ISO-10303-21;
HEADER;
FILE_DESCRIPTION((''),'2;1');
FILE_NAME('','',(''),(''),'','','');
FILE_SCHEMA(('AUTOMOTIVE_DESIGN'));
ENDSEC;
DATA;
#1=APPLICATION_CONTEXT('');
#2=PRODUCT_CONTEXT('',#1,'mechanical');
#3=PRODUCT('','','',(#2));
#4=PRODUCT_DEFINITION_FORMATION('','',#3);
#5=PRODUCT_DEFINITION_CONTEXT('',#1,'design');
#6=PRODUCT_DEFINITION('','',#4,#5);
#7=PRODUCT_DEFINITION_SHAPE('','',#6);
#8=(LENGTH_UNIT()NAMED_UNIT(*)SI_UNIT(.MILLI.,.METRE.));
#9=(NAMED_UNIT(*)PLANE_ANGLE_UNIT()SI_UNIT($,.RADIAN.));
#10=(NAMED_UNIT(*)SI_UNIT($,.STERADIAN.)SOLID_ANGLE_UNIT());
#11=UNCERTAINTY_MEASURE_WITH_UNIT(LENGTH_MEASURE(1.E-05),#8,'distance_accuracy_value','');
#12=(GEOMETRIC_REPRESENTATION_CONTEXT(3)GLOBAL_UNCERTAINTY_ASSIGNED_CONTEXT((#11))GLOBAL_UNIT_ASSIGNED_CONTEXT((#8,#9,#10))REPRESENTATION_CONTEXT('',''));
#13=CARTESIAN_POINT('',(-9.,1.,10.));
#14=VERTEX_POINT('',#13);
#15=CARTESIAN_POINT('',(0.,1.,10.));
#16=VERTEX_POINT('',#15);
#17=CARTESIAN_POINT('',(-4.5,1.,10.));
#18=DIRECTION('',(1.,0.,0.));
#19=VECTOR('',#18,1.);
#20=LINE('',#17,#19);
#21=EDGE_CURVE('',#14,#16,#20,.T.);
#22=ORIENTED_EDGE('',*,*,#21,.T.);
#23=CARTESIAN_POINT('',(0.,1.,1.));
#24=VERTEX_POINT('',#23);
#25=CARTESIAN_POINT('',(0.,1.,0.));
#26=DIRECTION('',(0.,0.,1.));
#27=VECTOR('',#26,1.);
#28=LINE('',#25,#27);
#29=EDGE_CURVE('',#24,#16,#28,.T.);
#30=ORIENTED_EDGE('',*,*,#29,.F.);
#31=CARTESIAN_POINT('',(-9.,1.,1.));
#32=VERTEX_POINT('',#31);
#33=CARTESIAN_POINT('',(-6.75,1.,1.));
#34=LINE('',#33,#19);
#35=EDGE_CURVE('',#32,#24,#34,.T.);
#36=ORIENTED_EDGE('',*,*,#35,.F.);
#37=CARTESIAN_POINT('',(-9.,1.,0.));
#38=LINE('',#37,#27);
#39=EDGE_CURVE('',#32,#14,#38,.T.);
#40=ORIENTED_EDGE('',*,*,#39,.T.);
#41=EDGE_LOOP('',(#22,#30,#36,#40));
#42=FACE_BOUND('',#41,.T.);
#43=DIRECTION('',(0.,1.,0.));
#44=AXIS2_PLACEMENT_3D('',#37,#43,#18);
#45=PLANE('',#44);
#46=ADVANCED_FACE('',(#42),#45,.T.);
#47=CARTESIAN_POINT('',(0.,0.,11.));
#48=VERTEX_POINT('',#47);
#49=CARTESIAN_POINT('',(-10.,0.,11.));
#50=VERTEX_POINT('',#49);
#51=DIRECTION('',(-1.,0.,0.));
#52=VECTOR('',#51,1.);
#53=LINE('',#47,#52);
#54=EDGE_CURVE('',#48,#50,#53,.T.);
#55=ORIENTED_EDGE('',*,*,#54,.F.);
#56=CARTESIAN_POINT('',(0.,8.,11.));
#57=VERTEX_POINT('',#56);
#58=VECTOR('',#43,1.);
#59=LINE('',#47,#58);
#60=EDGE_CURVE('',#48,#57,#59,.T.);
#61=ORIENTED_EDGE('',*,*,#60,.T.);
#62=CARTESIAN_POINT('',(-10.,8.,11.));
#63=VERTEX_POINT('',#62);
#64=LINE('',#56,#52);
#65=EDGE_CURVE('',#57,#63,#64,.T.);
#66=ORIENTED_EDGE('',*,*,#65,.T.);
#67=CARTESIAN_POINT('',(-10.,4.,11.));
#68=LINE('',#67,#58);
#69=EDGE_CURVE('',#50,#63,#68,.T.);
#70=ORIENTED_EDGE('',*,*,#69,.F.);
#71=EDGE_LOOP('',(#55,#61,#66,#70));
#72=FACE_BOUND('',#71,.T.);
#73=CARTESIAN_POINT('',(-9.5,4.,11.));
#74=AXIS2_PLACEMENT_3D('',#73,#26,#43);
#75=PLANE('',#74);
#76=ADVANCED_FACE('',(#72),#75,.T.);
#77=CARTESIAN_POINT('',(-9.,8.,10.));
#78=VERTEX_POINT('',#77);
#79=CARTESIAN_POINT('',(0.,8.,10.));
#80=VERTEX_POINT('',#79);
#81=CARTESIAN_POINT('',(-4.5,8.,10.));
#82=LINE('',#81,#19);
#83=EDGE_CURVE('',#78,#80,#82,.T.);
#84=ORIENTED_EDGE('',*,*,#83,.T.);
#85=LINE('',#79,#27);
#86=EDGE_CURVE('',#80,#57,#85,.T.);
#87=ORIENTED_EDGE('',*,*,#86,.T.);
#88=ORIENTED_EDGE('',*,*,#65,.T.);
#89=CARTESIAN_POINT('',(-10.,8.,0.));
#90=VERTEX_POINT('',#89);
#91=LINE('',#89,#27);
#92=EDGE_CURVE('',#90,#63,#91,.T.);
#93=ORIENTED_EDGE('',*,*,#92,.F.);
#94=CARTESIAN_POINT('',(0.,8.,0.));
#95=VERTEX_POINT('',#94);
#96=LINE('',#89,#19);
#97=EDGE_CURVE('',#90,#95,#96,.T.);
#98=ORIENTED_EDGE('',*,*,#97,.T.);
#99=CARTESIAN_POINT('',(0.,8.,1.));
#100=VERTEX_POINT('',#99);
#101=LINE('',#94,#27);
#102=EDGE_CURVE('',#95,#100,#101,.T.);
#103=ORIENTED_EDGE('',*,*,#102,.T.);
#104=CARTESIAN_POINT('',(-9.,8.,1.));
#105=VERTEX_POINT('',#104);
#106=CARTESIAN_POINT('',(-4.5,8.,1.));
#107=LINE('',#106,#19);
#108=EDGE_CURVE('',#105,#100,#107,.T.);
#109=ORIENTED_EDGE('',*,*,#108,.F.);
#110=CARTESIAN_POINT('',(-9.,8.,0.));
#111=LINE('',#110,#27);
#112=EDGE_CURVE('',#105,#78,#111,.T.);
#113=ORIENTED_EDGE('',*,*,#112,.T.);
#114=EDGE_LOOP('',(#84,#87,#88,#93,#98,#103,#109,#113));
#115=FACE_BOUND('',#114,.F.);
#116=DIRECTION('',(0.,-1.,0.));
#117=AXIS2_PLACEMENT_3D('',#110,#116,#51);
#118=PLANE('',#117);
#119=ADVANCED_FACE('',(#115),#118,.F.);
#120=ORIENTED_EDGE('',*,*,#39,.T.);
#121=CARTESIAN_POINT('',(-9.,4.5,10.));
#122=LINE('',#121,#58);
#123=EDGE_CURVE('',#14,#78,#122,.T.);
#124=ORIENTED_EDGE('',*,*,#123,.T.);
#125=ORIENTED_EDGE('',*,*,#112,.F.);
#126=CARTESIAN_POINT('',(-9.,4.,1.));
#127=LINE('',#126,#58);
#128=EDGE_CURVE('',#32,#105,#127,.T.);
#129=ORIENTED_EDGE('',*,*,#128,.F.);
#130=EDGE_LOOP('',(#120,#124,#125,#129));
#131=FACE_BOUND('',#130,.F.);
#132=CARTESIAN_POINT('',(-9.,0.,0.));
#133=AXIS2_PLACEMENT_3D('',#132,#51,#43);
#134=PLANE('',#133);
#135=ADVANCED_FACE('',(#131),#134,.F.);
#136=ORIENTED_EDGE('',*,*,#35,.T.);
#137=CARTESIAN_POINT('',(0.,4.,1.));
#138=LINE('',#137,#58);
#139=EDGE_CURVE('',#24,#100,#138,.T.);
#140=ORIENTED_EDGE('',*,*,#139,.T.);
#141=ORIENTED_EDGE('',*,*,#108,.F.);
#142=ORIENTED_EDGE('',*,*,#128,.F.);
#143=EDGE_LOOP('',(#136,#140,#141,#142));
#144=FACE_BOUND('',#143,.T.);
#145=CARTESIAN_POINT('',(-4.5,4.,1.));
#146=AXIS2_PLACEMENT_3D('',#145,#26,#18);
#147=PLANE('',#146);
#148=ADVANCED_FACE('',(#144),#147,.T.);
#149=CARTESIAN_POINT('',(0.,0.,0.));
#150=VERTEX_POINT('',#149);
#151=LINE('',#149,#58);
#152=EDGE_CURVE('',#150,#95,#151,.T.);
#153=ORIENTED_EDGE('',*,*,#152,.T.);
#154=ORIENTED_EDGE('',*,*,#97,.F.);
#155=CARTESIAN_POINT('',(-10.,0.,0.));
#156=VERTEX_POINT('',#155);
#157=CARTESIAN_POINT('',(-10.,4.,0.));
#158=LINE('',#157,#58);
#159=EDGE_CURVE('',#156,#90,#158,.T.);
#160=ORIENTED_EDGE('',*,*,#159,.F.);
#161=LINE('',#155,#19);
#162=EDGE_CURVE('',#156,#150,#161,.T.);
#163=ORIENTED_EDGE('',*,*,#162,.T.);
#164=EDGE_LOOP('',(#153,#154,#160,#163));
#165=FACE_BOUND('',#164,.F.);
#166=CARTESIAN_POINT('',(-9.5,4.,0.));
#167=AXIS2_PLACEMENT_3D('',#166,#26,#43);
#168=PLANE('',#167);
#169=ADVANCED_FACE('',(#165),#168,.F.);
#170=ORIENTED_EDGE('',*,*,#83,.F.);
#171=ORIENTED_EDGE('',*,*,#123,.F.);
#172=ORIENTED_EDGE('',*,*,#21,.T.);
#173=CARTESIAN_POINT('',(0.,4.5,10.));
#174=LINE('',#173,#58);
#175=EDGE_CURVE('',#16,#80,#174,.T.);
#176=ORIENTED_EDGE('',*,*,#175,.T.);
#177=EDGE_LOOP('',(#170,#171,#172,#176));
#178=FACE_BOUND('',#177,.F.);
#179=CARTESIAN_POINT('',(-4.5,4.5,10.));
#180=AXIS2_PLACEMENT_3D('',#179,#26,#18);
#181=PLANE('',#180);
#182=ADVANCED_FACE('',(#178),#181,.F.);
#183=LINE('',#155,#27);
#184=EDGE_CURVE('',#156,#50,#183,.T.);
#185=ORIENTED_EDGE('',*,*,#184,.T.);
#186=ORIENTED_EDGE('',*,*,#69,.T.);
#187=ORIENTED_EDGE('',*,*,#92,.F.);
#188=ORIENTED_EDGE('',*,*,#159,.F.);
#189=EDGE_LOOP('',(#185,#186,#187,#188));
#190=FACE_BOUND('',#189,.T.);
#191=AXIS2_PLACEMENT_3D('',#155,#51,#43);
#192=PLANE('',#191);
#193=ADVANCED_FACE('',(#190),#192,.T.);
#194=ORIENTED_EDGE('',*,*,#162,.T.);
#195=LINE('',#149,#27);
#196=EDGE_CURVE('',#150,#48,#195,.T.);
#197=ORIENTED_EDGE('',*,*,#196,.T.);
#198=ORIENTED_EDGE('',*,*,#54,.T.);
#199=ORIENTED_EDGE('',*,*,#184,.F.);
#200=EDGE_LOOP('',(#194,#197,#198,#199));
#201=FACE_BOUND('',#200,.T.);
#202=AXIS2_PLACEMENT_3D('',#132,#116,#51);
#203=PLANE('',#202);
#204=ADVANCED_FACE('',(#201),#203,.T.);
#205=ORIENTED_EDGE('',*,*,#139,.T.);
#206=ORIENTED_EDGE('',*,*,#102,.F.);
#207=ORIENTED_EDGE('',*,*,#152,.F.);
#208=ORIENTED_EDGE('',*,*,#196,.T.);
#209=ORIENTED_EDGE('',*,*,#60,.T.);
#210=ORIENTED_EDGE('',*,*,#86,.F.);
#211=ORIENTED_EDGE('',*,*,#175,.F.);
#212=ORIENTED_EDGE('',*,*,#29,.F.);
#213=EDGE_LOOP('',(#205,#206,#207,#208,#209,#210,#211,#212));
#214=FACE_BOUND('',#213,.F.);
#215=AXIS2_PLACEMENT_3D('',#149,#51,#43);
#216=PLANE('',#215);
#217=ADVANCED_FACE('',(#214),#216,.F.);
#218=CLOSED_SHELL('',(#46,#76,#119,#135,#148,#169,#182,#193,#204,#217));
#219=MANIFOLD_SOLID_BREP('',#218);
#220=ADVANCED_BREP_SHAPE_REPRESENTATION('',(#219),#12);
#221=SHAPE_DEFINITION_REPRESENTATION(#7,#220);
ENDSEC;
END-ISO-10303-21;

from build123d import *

# Parameters (mm, degrees)
BOX102_W     = 9
BOX102_H     = 8
BOX102_DEPTH = 1
BOX005_W     = 8
BOX005_H     = 1
BOX005_DEPTH = 11
BOX006_W     = 9
BOX006_H     = 1
BOX006_DEPTH = 11
BOX100_W     = 9
BOX100_H     = 7
BOX100_DEPTH = 1


with BuildPart() as box102:
    # Box102 → Box102 (new body)
    with BuildSketch(Plane(origin=(-9, 0, 0), x_dir=(1, 0, 0), z_dir=(0, 0, 1))):
        with Locations((4.5, 4)):
            Rectangle(BOX102_W, BOX102_H)
    extrude(amount=BOX102_DEPTH)


with BuildPart() as box005:
    # Box005 → Box005 (new body)
    with BuildSketch(Plane(origin=(-9, 0, 0), x_dir=(0, 1, 0), z_dir=(0, 0, 1))):
        with Locations((4, 0.5)):
            Rectangle(BOX005_W, BOX005_H)
    extrude(amount=BOX005_DEPTH)


with BuildPart() as box006:
    # Box006 → Box006 (new body)
    with BuildSketch(Plane(origin=(-9, 0, 0), x_dir=(1, 0, 0), z_dir=(0, 0, 1))):
        with Locations((4.5, 0.5)):
            Rectangle(BOX006_W, BOX006_H)
    extrude(amount=BOX006_DEPTH)


with BuildPart() as fusion043:
    # Box100 → Box100 (new body)
    with BuildSketch(Plane(origin=(-9, 1, 10), x_dir=(1, 0, 0), z_dir=(0, 0, 1))):
        with Locations((4.5, 3.5)):
            Rectangle(BOX100_W, BOX100_H)
    extrude(amount=BOX100_DEPTH)

    # Fusion041: union Box006
    add(box006.part)

    # Fusion042: union Box005
    add(box005.part)

    # Fusion043: union Box102
    add(box102.part)


solid = fusion043.part
